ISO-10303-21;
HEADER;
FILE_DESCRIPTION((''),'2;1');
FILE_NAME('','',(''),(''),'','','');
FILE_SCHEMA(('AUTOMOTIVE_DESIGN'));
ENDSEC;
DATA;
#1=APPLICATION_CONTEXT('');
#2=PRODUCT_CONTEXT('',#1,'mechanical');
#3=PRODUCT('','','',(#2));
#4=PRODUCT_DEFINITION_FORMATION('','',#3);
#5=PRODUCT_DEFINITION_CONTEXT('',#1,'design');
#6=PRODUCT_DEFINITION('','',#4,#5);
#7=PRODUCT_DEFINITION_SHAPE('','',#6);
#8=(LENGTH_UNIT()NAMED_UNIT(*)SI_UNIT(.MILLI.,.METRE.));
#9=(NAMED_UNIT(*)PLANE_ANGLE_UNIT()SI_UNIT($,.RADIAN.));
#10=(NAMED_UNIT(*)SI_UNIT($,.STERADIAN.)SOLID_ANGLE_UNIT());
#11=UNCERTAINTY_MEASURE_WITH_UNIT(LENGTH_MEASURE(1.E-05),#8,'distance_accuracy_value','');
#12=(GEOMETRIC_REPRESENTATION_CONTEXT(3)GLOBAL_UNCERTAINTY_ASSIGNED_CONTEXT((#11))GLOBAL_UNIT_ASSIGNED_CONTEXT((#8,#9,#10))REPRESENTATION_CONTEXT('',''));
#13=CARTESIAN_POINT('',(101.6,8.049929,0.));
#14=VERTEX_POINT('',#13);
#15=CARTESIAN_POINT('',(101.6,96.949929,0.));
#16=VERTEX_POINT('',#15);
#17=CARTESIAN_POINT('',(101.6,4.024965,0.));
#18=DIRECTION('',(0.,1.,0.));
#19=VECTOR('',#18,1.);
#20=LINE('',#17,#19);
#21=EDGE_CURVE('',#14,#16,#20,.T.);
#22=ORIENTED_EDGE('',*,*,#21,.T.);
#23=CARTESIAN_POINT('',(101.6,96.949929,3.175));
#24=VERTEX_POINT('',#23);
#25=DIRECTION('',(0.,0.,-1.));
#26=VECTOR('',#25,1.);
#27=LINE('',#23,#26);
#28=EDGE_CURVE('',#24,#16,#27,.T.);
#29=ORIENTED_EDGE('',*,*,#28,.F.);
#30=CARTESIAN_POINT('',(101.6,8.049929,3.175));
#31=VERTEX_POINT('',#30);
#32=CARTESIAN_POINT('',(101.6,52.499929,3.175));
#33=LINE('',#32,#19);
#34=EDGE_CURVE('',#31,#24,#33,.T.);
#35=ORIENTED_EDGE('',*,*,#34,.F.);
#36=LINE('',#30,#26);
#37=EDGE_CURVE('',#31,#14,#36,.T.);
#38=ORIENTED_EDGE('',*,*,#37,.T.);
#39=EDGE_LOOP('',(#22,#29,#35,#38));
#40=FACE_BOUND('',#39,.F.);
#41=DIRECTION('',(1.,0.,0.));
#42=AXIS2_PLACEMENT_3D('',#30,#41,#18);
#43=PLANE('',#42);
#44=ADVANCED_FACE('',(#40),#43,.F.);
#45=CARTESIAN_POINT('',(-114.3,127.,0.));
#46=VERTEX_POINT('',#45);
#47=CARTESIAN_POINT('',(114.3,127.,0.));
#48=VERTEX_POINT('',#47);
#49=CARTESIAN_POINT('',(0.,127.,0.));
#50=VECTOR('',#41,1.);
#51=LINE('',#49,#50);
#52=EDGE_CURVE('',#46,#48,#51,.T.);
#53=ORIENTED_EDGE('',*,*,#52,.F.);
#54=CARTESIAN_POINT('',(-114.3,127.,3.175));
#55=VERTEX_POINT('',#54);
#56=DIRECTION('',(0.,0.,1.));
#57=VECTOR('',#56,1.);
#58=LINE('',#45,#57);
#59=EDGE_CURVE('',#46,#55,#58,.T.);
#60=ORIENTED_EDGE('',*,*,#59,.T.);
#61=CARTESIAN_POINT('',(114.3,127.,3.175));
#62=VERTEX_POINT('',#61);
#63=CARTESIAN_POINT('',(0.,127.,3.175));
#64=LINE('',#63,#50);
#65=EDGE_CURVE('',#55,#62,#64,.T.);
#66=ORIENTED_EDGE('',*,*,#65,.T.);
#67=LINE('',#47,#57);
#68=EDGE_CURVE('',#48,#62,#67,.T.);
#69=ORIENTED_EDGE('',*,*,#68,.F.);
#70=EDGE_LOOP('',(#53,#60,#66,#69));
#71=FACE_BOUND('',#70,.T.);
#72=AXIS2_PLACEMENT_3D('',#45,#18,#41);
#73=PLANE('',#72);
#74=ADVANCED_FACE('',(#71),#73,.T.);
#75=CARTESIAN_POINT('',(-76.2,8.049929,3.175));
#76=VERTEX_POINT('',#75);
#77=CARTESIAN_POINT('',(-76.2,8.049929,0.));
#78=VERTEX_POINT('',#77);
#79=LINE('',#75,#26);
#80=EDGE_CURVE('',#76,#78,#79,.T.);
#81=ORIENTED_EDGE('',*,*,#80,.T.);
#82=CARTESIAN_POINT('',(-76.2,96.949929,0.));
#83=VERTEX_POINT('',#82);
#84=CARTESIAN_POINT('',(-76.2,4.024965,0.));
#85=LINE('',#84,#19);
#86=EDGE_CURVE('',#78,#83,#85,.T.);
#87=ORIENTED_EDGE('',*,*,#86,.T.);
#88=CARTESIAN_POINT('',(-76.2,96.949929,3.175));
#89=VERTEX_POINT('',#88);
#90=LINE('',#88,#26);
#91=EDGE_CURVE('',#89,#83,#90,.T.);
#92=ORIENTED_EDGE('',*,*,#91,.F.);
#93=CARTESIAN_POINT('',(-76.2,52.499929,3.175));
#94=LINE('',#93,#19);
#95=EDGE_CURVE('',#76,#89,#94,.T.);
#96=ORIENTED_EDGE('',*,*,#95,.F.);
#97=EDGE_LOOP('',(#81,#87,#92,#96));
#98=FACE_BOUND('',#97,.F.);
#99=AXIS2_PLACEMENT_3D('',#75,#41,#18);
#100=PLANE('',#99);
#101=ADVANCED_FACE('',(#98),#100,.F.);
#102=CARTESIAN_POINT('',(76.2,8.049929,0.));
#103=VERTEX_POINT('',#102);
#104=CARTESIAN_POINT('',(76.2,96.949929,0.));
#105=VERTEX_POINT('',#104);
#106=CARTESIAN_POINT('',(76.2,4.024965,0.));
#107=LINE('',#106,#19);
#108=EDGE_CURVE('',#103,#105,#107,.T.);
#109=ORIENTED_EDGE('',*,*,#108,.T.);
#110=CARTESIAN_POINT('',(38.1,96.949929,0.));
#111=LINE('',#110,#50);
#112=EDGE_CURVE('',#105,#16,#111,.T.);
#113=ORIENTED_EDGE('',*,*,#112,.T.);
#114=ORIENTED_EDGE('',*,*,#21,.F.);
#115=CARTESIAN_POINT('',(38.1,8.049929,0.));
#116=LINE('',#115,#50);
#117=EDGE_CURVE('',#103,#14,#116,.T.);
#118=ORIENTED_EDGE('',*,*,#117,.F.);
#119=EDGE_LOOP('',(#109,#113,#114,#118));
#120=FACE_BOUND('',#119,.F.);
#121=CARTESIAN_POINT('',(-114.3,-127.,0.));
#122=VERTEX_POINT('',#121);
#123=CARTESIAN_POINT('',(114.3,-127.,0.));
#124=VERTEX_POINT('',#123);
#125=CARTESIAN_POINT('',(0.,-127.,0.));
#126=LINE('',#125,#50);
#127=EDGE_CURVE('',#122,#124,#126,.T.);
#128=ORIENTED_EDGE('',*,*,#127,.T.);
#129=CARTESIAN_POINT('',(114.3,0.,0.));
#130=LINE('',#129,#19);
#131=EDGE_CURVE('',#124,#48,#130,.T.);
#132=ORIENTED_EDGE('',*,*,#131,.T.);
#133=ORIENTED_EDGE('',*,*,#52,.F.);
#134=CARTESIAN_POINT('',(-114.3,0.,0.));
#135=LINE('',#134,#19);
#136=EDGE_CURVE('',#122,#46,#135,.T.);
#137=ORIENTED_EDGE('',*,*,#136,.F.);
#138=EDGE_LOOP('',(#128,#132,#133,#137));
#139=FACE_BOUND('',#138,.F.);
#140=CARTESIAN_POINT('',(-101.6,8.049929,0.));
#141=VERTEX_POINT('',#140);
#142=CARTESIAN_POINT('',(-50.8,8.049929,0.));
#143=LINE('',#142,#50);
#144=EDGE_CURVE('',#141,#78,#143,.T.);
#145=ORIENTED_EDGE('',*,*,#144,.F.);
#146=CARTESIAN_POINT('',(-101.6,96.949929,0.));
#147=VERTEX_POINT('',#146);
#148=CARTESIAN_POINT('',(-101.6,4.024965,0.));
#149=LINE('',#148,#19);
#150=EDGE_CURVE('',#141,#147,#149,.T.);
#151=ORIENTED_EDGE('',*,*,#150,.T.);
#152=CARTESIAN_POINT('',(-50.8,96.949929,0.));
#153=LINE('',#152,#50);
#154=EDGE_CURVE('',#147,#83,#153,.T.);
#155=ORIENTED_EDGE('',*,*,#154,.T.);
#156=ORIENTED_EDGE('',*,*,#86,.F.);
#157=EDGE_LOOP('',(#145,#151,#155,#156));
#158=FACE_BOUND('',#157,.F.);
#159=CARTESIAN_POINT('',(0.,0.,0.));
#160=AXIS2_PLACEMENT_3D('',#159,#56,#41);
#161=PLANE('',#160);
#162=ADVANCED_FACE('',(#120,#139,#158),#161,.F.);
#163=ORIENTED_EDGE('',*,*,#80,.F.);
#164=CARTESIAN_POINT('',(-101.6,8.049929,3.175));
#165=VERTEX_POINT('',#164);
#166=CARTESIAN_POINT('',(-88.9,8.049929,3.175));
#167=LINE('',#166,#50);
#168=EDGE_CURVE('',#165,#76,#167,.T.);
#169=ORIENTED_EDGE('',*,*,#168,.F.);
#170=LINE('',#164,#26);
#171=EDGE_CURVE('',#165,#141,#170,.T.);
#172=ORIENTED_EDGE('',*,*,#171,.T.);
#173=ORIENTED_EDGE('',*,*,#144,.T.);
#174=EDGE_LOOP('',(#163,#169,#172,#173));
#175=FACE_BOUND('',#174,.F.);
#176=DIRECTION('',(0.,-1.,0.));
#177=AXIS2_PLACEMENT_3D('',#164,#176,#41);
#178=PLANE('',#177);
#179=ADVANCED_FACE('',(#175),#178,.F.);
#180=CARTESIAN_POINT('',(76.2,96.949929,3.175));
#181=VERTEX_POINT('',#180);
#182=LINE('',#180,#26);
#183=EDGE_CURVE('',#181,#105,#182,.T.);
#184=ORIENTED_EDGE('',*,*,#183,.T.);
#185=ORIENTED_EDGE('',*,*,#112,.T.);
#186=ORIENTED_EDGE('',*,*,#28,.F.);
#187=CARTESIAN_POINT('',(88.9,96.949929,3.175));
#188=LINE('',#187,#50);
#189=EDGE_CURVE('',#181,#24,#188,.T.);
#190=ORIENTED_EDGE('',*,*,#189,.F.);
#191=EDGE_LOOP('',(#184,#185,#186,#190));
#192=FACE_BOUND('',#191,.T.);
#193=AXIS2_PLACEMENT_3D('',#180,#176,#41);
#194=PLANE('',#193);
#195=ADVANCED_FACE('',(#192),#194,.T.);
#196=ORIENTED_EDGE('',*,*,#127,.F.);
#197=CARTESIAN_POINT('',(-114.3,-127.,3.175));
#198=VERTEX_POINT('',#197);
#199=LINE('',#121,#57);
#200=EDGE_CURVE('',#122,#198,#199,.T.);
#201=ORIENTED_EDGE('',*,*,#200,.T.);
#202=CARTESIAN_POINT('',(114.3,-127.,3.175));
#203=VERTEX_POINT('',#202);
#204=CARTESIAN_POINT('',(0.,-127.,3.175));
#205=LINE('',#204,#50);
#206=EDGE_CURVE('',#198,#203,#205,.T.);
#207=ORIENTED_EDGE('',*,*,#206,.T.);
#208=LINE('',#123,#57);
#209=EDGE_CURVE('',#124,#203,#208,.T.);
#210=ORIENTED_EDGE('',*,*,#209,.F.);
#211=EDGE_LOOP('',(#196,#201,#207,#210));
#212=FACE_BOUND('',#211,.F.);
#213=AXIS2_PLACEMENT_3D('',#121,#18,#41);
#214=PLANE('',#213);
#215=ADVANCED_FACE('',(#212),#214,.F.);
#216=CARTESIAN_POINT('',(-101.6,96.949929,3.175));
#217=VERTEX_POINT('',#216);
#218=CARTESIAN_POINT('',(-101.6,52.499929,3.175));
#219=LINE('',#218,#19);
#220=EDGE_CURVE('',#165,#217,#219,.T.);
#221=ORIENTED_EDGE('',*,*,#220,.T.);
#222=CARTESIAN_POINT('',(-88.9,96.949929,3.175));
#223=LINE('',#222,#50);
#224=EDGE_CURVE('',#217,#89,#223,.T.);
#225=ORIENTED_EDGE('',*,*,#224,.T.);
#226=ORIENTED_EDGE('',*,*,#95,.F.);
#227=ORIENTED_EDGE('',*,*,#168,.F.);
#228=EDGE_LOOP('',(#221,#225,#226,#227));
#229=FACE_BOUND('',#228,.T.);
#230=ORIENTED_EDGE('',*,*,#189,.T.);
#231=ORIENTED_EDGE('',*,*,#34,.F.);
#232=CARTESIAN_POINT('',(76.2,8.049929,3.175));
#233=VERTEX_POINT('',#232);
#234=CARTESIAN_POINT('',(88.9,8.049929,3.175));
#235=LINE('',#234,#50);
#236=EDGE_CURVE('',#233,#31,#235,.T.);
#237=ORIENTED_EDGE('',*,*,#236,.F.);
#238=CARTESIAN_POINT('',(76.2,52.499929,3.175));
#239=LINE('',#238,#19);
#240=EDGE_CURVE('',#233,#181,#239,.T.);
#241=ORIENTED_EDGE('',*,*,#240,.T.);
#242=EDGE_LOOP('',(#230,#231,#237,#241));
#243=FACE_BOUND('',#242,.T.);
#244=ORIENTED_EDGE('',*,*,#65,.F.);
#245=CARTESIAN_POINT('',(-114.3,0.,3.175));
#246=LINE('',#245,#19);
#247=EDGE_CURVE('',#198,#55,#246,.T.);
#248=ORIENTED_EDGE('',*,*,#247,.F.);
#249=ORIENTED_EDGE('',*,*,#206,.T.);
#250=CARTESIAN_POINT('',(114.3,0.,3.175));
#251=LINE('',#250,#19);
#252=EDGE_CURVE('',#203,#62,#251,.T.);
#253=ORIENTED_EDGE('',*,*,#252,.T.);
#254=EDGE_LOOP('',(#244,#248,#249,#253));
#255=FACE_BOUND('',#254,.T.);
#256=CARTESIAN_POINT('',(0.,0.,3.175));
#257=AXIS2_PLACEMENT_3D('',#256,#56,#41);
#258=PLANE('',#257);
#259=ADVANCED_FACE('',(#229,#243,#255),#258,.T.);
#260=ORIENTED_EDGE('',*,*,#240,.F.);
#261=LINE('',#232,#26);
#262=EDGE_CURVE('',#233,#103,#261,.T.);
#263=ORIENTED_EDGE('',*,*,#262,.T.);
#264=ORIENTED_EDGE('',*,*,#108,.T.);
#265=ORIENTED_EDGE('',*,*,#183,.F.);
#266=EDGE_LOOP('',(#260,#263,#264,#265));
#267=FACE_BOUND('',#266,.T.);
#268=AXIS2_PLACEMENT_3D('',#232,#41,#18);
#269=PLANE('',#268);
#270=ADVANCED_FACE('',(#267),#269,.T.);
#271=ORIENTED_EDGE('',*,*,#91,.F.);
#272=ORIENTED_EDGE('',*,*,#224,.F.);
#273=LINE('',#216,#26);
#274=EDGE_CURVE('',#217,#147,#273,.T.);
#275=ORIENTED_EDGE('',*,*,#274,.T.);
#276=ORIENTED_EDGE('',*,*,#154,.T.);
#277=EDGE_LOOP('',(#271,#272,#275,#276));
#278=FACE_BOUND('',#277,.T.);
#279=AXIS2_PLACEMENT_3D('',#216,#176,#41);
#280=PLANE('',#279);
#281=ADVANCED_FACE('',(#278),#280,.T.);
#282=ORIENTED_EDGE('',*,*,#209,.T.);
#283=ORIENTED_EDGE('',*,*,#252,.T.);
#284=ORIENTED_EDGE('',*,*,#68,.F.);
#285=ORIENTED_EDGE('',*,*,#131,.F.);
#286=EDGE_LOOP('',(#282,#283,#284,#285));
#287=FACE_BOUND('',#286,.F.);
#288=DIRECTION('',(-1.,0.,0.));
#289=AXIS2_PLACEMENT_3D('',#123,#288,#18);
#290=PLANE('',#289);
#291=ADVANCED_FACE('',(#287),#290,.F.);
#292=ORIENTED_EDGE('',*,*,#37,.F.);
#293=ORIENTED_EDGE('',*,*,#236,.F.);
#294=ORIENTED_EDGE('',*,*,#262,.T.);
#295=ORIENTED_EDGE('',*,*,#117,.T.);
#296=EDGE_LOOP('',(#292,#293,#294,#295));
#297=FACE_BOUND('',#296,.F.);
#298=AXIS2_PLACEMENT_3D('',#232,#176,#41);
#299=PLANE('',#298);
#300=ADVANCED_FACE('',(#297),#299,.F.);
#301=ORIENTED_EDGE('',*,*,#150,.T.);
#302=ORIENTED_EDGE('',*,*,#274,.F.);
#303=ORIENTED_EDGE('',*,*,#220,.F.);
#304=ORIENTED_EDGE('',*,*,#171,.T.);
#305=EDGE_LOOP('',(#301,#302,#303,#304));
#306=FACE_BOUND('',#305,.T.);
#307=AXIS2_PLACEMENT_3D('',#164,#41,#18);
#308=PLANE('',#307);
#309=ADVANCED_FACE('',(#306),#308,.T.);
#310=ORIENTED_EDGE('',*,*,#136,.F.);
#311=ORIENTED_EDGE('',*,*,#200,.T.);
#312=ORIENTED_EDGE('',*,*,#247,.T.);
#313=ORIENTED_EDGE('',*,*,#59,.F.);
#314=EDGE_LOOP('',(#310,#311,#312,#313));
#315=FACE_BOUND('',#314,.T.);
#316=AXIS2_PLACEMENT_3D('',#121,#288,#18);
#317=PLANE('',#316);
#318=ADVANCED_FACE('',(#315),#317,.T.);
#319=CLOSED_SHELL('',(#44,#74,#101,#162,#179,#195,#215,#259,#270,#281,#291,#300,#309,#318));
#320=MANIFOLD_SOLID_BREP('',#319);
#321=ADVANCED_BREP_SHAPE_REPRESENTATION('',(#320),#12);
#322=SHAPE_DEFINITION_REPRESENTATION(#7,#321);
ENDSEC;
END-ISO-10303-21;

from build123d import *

# Parameters (mm, degrees)
F0_W     = 228.6
F0_H     = 254
F1_DEPTH = 3.175
F2_W     = 25.4
F2_H     = 88.9
F3_DEPTH = 25.4


with BuildPart() as f1:
    # F0 (on Top) → F1 (new body)
    with BuildSketch(Plane.XY):
        Rectangle(F0_W, F0_H)
    extrude(amount=F1_DEPTH)

    # F2 (on face) → F3 (cut)
    with BuildSketch(Plane.XY.offset(3.175)):
        with Locations((-88.9, 52.499929)):
            Rectangle(F2_W, F2_H)
        with Locations((88.9, 52.499929)):
            Rectangle(F2_W, F2_H)
    extrude(amount=-F3_DEPTH, mode=Mode.SUBTRACT)


solid = f1.part
